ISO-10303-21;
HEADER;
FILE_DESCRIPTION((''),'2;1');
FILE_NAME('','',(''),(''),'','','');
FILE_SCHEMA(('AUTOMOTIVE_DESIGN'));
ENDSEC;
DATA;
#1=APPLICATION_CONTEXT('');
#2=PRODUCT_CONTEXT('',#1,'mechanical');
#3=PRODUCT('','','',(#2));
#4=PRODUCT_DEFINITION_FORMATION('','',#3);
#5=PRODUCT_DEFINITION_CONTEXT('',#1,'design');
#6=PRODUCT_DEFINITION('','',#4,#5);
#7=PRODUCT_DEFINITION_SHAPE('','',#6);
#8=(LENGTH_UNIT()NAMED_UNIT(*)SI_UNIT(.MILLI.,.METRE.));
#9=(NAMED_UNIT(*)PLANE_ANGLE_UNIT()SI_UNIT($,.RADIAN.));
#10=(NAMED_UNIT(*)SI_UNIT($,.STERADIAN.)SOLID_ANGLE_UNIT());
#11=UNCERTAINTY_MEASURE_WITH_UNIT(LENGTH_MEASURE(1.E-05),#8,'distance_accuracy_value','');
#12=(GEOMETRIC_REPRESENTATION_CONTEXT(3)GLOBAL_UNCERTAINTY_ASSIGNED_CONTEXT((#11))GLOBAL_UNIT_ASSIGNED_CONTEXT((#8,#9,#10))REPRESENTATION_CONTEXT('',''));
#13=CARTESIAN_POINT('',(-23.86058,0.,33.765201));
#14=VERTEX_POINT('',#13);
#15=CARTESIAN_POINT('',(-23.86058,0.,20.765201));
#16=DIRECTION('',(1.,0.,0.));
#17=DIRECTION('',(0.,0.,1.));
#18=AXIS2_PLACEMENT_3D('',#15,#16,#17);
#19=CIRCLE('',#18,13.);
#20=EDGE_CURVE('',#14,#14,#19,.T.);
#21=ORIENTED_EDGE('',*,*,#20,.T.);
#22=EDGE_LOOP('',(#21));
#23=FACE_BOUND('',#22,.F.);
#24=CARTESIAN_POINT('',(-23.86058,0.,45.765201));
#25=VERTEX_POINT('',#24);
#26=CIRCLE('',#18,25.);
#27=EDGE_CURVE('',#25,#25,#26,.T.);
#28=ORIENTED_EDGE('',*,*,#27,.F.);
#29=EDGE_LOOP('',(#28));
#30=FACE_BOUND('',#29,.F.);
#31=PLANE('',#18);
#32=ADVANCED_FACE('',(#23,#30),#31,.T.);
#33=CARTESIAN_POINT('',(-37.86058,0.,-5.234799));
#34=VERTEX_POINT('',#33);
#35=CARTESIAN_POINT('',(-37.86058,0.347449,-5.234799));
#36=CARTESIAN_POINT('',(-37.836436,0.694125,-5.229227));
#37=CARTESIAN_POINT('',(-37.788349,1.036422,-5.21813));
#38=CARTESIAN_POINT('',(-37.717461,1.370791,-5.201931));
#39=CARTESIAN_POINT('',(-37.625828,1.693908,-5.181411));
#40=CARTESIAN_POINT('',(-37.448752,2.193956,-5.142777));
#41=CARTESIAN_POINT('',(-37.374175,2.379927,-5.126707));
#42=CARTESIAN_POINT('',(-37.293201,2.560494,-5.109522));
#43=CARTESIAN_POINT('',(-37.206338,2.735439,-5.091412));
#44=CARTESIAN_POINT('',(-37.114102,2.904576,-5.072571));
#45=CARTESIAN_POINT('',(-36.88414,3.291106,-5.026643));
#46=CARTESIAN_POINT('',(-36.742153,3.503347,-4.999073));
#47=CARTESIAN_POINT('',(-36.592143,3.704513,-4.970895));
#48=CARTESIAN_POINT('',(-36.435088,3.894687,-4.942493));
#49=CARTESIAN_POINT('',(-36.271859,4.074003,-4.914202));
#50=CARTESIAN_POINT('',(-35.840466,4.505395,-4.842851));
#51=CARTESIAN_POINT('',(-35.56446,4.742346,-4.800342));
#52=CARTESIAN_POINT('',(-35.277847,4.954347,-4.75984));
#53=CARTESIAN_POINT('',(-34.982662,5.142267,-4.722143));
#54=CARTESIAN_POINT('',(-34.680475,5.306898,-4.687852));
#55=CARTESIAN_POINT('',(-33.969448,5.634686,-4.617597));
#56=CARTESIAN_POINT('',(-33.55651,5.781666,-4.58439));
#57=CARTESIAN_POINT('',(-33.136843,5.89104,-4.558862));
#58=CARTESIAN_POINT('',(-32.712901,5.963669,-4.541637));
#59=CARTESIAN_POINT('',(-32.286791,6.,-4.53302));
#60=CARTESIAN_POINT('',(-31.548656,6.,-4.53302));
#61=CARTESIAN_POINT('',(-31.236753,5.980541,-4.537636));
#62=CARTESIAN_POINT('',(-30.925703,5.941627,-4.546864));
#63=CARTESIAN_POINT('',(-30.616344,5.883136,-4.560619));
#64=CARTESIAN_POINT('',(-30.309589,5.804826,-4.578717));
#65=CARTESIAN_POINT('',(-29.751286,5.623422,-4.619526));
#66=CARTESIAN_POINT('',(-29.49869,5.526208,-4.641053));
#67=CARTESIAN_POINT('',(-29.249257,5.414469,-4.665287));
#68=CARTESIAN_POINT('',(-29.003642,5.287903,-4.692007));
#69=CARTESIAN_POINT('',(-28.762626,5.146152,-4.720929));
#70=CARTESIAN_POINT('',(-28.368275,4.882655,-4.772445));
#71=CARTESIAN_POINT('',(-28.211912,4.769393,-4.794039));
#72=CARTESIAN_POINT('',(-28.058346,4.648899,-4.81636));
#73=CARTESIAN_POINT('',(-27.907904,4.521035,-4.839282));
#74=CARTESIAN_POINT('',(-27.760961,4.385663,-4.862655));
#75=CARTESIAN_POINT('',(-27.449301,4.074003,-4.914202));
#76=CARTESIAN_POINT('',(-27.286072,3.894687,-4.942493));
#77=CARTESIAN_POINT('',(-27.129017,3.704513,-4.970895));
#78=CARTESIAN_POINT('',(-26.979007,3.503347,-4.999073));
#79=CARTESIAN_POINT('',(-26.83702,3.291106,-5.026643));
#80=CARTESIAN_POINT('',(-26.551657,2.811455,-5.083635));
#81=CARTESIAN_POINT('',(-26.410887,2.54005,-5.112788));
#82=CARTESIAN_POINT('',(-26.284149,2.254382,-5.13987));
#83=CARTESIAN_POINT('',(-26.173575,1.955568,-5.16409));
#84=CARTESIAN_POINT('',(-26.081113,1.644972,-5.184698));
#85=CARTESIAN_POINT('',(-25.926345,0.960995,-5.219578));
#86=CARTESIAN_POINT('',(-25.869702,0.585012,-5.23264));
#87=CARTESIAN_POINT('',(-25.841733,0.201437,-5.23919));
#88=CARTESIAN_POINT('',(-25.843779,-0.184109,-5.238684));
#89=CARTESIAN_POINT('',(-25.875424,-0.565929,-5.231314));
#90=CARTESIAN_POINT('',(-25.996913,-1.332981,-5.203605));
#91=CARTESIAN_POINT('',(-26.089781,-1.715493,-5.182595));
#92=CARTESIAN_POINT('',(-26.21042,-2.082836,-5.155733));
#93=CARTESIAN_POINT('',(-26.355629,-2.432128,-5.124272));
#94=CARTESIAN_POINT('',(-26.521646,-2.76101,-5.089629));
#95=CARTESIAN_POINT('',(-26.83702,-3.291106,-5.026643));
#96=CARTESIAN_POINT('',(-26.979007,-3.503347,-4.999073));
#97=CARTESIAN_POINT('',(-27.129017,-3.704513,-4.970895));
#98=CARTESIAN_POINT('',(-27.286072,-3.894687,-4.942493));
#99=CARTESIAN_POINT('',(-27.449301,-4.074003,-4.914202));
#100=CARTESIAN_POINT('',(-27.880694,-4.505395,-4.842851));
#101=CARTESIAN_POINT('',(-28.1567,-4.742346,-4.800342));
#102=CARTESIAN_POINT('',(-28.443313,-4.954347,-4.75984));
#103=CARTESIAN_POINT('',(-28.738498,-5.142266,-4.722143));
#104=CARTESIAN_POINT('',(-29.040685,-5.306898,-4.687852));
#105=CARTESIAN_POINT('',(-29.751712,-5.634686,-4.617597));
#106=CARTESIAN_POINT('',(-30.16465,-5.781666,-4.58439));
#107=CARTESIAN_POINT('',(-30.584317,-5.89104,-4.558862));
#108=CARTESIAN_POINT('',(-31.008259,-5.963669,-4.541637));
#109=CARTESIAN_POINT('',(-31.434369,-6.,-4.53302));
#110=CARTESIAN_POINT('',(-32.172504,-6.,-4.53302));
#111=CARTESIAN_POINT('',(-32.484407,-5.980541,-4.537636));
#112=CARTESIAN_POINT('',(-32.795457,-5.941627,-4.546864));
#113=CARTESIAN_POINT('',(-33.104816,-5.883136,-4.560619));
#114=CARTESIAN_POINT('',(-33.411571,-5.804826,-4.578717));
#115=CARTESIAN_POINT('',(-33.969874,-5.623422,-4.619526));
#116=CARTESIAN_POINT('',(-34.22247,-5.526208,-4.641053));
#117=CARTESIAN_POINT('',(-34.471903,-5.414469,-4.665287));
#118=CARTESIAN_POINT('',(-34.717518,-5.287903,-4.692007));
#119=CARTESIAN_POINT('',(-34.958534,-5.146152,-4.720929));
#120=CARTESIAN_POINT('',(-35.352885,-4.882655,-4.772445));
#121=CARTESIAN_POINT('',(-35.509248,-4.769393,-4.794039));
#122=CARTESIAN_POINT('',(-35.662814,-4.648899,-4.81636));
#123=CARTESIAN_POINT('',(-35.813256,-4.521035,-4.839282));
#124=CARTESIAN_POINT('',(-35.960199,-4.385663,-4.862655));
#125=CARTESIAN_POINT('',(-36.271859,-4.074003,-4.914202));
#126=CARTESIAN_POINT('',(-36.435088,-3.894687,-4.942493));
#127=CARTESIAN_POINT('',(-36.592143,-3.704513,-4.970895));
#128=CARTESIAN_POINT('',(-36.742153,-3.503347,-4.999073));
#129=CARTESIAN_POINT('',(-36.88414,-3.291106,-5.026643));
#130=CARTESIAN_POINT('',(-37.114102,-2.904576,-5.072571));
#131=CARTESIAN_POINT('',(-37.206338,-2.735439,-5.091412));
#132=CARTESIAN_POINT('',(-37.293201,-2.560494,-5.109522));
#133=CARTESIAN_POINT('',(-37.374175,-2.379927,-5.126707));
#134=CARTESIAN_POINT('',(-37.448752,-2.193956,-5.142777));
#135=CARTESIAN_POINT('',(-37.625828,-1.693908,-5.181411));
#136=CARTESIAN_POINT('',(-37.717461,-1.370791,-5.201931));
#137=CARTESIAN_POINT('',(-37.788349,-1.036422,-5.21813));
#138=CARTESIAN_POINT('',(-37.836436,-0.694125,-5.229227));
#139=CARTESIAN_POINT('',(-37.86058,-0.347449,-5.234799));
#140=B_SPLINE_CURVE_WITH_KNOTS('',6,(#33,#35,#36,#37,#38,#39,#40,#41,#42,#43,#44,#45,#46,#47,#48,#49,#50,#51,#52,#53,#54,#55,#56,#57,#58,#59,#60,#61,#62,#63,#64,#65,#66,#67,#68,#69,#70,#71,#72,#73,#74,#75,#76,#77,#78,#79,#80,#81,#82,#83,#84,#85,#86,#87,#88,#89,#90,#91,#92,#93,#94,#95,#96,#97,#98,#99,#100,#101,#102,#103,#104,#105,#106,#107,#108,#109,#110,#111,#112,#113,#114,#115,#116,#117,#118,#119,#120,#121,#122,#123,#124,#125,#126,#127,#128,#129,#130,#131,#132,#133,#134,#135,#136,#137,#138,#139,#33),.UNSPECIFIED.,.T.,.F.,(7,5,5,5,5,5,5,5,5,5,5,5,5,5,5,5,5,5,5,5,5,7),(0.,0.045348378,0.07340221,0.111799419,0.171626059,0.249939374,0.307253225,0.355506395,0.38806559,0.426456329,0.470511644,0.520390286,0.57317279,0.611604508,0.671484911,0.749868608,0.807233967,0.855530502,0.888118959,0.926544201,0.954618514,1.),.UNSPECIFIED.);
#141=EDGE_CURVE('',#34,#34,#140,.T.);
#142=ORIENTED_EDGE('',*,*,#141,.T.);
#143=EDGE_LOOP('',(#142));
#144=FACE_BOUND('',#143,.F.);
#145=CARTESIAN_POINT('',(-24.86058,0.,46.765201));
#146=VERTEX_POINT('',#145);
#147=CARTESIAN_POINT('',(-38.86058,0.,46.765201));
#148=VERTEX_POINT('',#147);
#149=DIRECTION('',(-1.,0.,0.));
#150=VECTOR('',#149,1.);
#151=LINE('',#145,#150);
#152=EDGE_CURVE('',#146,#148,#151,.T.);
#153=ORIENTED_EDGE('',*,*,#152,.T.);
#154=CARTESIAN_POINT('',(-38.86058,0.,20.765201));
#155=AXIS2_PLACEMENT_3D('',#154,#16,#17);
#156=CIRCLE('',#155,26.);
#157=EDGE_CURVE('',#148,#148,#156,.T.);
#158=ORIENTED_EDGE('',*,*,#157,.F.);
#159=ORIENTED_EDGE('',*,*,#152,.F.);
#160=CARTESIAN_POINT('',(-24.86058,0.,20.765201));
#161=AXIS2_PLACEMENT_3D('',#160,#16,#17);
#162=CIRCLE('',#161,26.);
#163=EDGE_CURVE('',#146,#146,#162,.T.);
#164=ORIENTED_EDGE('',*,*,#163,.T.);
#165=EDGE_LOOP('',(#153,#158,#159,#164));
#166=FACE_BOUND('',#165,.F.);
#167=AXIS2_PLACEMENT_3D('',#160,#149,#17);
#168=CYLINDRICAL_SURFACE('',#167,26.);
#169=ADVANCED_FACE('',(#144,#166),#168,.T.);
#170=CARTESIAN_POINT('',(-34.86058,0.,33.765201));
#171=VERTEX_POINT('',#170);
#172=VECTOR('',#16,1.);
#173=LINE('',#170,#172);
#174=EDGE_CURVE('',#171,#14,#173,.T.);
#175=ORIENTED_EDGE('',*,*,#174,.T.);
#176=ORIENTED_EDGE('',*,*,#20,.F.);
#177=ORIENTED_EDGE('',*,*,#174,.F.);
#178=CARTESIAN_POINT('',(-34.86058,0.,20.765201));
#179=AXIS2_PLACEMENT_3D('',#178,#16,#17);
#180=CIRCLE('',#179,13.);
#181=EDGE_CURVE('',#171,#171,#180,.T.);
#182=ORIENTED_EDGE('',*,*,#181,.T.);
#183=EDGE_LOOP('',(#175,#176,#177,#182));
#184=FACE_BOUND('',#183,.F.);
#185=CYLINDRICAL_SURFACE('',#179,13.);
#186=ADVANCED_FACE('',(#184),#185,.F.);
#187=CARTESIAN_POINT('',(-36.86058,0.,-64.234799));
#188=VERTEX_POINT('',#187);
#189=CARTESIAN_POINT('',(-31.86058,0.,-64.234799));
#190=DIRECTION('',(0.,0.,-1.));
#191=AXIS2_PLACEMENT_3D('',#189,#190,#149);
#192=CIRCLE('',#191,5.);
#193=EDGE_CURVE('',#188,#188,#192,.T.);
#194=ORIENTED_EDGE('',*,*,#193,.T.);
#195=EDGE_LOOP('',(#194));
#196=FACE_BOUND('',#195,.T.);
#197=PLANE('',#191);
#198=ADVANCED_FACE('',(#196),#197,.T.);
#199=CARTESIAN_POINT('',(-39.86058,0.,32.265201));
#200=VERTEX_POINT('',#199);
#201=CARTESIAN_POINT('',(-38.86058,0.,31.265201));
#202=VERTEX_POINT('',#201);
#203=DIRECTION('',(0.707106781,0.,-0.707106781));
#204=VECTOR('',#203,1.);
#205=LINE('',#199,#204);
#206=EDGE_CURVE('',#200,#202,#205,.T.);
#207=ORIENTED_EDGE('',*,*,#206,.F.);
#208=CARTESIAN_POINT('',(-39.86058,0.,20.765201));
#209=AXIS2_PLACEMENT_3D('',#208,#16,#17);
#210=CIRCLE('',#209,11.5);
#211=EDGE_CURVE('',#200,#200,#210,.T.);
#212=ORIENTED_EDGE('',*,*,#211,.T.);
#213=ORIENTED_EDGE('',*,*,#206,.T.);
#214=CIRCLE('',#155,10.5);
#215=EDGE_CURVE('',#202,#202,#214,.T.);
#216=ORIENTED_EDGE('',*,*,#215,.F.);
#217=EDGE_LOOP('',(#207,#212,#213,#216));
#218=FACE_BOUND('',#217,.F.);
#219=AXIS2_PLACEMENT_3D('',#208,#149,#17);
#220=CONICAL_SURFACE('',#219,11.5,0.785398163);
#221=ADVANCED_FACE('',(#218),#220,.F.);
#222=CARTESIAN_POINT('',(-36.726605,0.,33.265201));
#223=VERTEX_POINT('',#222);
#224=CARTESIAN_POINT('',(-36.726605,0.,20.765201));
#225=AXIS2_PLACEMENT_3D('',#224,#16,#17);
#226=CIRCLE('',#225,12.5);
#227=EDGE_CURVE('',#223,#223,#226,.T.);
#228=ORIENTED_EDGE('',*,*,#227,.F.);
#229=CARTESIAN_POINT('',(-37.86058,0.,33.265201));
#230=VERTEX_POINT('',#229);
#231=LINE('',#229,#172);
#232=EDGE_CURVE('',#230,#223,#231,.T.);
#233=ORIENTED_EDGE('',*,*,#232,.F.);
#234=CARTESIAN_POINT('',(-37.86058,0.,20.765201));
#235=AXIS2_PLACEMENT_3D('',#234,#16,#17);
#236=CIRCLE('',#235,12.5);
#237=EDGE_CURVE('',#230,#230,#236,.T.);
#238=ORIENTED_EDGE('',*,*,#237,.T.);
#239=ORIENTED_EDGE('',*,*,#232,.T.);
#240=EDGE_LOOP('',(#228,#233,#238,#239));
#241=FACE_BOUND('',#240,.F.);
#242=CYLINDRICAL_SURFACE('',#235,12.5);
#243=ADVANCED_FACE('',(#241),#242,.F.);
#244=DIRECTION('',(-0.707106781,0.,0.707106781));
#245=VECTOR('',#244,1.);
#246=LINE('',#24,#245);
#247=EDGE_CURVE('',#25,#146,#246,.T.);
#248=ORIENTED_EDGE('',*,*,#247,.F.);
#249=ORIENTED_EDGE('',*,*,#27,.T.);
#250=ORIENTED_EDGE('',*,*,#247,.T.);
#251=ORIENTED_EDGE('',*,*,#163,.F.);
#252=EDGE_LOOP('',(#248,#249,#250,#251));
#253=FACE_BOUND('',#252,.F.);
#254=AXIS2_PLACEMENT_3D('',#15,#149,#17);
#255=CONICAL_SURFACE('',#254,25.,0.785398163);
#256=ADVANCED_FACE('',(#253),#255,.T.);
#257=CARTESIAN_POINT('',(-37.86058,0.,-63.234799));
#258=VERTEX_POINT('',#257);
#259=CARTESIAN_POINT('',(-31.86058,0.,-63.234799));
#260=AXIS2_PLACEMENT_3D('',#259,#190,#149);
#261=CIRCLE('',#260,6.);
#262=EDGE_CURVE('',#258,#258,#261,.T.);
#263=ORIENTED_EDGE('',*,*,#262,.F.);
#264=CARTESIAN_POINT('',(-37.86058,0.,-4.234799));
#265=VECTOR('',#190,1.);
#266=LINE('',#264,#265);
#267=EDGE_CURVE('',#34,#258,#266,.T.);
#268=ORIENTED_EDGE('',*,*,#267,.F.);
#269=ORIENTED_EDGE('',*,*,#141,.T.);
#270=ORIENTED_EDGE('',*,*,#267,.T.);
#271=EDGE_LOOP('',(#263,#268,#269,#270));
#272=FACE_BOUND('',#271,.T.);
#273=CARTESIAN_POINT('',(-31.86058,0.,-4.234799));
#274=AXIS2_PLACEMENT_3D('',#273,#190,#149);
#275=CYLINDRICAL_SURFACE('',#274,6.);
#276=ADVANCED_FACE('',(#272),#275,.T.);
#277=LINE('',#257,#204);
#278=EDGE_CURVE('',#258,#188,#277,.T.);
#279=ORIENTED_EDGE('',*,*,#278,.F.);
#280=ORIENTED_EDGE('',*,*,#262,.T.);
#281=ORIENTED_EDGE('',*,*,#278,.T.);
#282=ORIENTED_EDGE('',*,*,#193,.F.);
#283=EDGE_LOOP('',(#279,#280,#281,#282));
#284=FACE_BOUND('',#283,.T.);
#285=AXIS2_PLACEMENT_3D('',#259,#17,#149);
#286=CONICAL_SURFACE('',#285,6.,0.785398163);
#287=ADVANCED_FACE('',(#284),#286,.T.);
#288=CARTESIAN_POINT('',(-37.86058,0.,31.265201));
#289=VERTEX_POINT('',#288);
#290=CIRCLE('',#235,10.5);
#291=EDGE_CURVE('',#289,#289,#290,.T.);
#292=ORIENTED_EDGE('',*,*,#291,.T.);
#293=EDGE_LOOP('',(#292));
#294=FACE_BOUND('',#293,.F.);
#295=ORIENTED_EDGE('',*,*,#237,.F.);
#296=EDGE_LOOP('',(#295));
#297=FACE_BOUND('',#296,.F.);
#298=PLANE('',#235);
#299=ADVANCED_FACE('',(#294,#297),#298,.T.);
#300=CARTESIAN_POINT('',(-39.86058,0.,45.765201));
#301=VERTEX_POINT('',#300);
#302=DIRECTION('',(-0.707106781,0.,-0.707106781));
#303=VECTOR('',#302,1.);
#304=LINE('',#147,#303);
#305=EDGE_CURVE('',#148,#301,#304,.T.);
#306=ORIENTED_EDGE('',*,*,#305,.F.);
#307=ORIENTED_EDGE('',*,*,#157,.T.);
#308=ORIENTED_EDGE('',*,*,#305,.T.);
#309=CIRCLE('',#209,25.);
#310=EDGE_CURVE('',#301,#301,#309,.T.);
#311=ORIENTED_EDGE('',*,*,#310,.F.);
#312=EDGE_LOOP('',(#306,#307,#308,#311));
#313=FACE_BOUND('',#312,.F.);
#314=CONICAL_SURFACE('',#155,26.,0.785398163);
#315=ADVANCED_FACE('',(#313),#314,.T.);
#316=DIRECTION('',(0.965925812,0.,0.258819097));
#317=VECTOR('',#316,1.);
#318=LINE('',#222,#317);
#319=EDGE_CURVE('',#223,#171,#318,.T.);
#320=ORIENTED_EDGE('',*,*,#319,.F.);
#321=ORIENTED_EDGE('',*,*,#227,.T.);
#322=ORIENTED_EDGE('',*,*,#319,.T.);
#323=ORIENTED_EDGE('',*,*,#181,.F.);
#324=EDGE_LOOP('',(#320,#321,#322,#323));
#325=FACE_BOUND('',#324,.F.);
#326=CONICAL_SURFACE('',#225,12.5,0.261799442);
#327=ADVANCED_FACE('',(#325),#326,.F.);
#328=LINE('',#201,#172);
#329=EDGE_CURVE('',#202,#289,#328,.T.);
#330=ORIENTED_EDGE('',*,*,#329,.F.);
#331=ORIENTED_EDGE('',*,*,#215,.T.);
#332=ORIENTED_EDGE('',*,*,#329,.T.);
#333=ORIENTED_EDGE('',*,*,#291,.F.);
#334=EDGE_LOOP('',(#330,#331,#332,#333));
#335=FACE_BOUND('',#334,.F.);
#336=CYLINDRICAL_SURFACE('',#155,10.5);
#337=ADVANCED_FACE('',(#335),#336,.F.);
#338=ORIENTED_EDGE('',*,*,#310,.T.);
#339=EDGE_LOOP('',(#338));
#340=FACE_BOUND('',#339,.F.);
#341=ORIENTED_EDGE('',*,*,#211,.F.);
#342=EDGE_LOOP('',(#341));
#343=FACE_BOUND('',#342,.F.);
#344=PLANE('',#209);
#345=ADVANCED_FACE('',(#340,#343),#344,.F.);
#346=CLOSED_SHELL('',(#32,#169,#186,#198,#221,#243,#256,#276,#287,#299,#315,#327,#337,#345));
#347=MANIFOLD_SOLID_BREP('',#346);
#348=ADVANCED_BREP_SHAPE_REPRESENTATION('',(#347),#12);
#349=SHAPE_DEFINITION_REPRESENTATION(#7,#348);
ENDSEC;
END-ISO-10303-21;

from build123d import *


with BuildPart() as f2:
    # F1 (on face) → F2 (revolve)
    with BuildSketch(Plane.XZ):
        Polygon((-39.86058, 45.765201), (-39.86058, 32.265201), (-38.86058, 31.265201), (-37.86058, 31.265201), (-37.86058, 33.265201), (-36.726605, 33.265201), (-34.86058, 33.765201), (-26.86058, 33.765201), (-23.86058, 33.765201), (-23.86058, 45.765201), (-24.86058, 46.765201), (-38.86058, 46.765201), align=None)
    revolve(axis=Axis((-31.514074, 0, 20.765201), (1, 0, 0)))

    # F0 (on Front) → F4 (revolve)
    with BuildSketch(Plane.XZ):
        Polygon((-31.86058, -63.234799), (-37.86058, -63.234799), (-36.86058, -64.234799), (-31.86058, -64.234799), align=None)
        Polygon((-34.36058, -4.234799), (-37.86058, -4.234799), (-37.86058, -63.234799), (-31.86058, -63.234799), (-31.86058, -4.234799), align=None)
    revolve(axis=Axis((-31.86058, 0, -32.765535), (0, 0, -1)))


solid = f2.part
